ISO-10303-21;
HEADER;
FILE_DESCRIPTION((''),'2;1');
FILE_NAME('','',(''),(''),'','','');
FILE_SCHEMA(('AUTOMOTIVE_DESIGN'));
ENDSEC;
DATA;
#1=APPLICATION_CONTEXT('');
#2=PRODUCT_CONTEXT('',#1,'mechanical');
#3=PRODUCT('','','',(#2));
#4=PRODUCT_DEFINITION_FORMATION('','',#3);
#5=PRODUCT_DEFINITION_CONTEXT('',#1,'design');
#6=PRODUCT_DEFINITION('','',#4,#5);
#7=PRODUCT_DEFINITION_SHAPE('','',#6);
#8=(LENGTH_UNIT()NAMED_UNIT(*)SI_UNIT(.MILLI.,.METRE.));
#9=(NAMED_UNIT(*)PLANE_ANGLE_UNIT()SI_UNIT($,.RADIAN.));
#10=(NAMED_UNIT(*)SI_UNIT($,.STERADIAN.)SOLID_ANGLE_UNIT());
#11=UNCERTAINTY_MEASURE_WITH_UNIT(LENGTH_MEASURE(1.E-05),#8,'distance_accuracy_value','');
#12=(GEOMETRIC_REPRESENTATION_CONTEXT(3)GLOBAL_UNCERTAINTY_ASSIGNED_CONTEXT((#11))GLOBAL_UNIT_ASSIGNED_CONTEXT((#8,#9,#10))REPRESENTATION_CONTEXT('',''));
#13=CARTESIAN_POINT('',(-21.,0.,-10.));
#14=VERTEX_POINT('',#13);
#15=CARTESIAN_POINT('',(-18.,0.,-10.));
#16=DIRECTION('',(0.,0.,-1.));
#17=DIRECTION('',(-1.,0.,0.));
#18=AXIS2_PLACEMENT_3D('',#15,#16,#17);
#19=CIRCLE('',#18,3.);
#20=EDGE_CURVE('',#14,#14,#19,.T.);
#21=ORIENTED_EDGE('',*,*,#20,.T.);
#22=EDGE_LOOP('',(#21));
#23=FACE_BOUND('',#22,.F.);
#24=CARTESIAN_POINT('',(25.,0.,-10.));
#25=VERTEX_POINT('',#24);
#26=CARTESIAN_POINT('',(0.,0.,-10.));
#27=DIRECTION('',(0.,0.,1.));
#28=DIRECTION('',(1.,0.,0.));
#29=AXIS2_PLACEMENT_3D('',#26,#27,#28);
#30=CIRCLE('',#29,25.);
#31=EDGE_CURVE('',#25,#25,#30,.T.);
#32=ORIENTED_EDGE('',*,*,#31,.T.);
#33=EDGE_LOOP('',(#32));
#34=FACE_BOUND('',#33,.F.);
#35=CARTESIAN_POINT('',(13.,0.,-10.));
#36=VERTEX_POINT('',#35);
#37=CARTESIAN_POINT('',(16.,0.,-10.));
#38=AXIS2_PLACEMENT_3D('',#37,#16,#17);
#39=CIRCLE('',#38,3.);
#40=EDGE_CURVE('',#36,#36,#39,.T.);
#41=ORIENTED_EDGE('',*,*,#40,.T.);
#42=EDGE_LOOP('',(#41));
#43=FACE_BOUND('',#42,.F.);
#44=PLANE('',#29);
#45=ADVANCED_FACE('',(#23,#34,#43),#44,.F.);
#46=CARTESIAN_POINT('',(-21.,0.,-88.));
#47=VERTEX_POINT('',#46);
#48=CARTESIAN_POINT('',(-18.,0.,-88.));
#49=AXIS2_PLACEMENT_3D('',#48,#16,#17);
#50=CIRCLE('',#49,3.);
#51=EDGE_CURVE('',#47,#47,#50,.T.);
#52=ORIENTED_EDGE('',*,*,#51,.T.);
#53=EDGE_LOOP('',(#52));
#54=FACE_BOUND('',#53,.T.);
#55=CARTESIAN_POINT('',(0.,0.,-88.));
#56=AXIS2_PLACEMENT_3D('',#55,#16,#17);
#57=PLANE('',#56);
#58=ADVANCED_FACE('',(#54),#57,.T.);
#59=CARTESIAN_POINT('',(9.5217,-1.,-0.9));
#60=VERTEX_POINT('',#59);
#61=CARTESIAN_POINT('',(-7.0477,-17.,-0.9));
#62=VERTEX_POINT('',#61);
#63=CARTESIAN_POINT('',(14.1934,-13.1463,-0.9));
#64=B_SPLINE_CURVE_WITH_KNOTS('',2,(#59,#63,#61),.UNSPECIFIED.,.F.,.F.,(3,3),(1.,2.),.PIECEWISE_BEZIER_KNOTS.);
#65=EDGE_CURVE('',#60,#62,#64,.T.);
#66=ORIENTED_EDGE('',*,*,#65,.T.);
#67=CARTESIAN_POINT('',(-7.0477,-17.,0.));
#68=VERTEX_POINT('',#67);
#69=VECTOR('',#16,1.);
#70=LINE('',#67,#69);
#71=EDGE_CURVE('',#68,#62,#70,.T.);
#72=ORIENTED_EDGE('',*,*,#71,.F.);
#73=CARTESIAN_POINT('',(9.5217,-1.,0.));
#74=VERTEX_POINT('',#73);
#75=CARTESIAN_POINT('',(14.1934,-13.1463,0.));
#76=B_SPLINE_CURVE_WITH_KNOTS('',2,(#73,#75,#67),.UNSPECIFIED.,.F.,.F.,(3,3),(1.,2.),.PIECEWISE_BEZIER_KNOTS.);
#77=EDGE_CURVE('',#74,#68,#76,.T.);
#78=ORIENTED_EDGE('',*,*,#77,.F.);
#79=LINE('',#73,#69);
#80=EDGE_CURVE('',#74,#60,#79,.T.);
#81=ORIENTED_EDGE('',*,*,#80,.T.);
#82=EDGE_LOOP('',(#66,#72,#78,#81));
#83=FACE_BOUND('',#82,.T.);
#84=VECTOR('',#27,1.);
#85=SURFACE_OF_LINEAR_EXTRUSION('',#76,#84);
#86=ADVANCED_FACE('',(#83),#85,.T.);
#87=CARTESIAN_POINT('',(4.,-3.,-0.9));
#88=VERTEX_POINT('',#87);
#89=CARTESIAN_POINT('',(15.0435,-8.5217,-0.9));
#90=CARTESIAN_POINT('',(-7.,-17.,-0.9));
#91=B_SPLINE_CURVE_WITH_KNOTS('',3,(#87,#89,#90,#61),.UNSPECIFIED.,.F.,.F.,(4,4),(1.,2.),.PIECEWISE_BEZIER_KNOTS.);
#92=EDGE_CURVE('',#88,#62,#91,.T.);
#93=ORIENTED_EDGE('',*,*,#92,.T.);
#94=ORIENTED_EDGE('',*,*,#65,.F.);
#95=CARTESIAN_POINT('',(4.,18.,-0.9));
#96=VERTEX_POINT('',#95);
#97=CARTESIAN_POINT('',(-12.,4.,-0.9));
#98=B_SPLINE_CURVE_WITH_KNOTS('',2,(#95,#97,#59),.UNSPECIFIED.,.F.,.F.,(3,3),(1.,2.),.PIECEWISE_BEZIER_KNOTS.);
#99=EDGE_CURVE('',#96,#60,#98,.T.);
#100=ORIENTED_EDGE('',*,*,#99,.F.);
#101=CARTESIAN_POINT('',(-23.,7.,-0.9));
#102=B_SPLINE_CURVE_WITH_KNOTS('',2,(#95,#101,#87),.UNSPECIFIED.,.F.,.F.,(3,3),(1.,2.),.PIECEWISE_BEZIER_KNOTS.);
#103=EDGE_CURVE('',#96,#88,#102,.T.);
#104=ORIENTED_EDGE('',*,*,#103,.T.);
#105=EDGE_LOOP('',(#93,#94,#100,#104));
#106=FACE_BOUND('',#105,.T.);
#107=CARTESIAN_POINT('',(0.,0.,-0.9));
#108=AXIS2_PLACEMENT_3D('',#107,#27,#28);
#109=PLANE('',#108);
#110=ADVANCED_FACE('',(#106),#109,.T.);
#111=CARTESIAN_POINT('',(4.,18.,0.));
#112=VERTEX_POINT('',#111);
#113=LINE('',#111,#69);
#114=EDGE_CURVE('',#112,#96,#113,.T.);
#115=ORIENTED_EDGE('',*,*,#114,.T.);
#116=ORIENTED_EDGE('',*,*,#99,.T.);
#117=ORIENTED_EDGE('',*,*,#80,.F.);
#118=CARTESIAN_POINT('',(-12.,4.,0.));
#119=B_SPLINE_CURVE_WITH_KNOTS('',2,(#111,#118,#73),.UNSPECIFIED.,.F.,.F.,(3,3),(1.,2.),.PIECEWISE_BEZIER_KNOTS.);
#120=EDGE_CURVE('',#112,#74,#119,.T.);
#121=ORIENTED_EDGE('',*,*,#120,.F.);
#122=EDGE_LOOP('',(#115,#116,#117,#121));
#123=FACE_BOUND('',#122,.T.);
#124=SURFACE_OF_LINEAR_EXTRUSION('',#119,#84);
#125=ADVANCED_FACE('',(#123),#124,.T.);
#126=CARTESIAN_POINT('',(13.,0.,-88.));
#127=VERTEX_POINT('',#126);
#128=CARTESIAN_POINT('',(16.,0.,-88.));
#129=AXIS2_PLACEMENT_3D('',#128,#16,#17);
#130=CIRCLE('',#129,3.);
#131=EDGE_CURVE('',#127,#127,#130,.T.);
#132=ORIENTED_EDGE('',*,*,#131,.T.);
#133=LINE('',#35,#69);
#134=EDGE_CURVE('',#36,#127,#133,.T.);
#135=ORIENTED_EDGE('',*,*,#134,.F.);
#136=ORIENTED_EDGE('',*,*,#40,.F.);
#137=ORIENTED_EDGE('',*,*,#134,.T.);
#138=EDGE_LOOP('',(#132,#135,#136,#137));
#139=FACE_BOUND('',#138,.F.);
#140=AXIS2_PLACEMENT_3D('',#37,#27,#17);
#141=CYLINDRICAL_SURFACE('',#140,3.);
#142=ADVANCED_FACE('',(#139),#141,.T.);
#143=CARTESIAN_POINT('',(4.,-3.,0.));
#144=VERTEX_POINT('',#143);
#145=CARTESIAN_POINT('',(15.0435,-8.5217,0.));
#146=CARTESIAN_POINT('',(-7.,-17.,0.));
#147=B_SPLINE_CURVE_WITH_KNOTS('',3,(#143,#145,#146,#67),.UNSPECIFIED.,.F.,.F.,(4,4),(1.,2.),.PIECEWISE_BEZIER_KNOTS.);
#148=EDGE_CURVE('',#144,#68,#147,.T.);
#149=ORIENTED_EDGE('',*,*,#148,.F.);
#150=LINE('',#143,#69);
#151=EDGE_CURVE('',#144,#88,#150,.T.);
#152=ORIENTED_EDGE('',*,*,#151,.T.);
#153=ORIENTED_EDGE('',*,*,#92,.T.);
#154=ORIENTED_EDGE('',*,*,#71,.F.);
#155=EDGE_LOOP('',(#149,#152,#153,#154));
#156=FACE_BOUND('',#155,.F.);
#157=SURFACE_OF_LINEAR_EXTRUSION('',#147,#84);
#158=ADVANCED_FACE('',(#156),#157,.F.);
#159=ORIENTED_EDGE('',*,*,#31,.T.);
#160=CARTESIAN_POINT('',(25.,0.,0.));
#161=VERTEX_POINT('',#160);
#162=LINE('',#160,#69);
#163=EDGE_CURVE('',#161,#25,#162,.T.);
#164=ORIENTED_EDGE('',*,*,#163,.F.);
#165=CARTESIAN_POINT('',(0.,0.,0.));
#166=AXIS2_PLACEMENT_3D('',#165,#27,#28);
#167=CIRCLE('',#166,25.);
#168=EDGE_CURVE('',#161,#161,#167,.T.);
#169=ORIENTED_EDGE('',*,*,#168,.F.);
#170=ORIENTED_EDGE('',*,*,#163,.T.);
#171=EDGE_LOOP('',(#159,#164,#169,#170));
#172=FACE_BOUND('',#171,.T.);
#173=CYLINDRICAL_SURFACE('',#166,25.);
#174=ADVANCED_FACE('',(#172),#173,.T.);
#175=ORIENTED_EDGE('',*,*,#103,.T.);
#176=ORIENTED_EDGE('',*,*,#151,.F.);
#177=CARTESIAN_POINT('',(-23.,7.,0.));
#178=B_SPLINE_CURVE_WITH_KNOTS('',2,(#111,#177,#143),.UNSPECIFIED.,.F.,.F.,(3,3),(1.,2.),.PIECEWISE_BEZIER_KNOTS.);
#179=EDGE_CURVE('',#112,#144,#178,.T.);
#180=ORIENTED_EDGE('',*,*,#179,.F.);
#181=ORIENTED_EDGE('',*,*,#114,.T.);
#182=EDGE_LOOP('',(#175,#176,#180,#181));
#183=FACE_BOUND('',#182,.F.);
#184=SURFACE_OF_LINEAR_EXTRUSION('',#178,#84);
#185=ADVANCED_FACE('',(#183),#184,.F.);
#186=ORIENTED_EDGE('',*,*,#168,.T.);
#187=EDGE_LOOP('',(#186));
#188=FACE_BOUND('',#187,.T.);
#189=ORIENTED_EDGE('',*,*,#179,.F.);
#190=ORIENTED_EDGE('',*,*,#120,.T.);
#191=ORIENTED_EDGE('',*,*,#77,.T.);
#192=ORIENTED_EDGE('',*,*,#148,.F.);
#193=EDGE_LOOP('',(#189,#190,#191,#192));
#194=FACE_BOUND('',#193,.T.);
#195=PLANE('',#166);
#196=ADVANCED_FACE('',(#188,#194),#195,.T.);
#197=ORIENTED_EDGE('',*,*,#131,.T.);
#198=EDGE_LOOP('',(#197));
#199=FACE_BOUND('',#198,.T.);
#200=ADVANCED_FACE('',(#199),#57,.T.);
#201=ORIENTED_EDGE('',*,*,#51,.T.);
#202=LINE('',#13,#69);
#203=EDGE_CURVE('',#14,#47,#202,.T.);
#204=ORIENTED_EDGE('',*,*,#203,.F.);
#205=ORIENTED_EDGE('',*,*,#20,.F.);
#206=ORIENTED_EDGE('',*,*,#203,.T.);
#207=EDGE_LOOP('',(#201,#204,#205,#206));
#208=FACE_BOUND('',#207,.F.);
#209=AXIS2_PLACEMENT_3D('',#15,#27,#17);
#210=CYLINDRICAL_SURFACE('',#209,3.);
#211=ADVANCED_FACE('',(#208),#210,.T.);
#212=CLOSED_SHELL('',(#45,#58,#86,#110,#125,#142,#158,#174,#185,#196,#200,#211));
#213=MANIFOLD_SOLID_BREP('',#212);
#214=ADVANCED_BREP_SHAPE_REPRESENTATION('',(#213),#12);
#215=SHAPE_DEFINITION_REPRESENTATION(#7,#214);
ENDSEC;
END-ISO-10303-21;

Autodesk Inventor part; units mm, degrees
ref_plane "YZ Plane" through (0, 0, 0) normal (1, 0, 0) x (0, 1, 0)
ref_plane "XZ Plane" through (0, 0, 0) normal (0, 1, 0) x (-1, 0, 0)
ref_plane "XY Plane" through (0, 0, 0) normal (0, 0, 1) x (1, 0, 0)
sketch "Sketch1" plane through (0, 0, 0) normal (0, 0, 1) x (1, 0, 0)
  circle A0 centre (0, 0) radius 25
  line L0 (9.0545, 19) -> (-15.9277, 6.5172) construction
  line L1 (-15.9277, 6.5172) -> (4.4593, -0.1187) construction
  line L2 (4.4593, -0.1187) -> (8.9648, -0.1187) construction
  line L3 (8.9648, -0.1187) -> (-5.7342, -19.5656) construction
  line L4 (-5.7342, -19.5656) -> (-5.7342, -19.5656) construction
  spline S0 degree 4 poles (9.0545, 19) (-15.9277, 6.5172) (4.4593, -0.1187) (8.9648, -0.1187) (-5.7195, -19.5462) (-5.7342, -19.5656) knots 1 1 1 1 1 2 3 3 3 3 3
  line L5 (9.0545, 19) -> (1.8467, 5.2615) construction
  line L6 (1.8467, 5.2615) -> (8.9648, -0.1187) construction
  line L7 (8.9648, -0.1187) -> (9.0545, 0) construction
  line L8 (9.0545, 0) -> (4.4598, -12) construction
  line L9 (4.4598, -12) -> (-5.7342, -19.5656) construction
  spline S1 degree 4 poles (9.0545, 19) (1.8467, 5.2615) (8.9648, -0.1187) (9.0545, 0) (4.4598, -12) (-5.7342, -19.5656) knots 1 1 1 1 1 2 3 3 3 3 3
extrude "Extrusion1" add sketch "Sketch1" against normal blind 10 contours A0 | S1 S0
sketch "Sketch2" plane through (0, 0, 0) normal (0, 0, 1) x (1, 0, 0)
  line L0 (4, 18) -> (-23, 7) construction
  line L1 (-23, 7) -> (4, -3) construction
  spline S0 degree 2 poles (4, 18) (-23, 7) (4, -3) knots 1 1 1 2 2 2
  line L2 (4, -3) -> (15.0435, -8.5217) construction
  line L3 (15.0435, -8.5217) -> (-7, -17) construction
  line L4 (-7, -17) -> (-7.0477, -17) construction
  spline S1 degree 3 poles (4, -3) (15.0435, -8.5217) (-7, -17) (-7.0477, -17) knots 1 1 1 1 2 2 2 2
  line L5 (4, 18) -> (-12, 4) construction
  line L6 (-12, 4) -> (9.5217, -1) construction
  spline S2 degree 2 poles (4, 18) (-12, 4) (9.5217, -1) knots 1 1 1 2 2 2
  line L7 (9.5217, -1) -> (14.1934, -13.1463) construction
  line L8 (14.1934, -13.1463) -> (-7.0477, -17) construction
  spline S3 degree 2 poles (9.5217, -1) (14.1934, -13.1463) (-7.0477, -17) knots 1 1 1 2 2 2
  point P0 (0, 0)
extrude "Extrusion2" cut sketch "Sketch2" against normal blind 0.9
sketch "Sketch3" plane through (0, 0, -10) normal (0, 0, -1) x (-1, 0, 0)
  circle A0 centre (-16, 0) radius 3
  circle A1 centre (18, 0) radius 3
  point P0 (0, 0)
extrude "Extrusion3" add sketch "Sketch3" along normal blind 78
properties part number "Photoresistor"
